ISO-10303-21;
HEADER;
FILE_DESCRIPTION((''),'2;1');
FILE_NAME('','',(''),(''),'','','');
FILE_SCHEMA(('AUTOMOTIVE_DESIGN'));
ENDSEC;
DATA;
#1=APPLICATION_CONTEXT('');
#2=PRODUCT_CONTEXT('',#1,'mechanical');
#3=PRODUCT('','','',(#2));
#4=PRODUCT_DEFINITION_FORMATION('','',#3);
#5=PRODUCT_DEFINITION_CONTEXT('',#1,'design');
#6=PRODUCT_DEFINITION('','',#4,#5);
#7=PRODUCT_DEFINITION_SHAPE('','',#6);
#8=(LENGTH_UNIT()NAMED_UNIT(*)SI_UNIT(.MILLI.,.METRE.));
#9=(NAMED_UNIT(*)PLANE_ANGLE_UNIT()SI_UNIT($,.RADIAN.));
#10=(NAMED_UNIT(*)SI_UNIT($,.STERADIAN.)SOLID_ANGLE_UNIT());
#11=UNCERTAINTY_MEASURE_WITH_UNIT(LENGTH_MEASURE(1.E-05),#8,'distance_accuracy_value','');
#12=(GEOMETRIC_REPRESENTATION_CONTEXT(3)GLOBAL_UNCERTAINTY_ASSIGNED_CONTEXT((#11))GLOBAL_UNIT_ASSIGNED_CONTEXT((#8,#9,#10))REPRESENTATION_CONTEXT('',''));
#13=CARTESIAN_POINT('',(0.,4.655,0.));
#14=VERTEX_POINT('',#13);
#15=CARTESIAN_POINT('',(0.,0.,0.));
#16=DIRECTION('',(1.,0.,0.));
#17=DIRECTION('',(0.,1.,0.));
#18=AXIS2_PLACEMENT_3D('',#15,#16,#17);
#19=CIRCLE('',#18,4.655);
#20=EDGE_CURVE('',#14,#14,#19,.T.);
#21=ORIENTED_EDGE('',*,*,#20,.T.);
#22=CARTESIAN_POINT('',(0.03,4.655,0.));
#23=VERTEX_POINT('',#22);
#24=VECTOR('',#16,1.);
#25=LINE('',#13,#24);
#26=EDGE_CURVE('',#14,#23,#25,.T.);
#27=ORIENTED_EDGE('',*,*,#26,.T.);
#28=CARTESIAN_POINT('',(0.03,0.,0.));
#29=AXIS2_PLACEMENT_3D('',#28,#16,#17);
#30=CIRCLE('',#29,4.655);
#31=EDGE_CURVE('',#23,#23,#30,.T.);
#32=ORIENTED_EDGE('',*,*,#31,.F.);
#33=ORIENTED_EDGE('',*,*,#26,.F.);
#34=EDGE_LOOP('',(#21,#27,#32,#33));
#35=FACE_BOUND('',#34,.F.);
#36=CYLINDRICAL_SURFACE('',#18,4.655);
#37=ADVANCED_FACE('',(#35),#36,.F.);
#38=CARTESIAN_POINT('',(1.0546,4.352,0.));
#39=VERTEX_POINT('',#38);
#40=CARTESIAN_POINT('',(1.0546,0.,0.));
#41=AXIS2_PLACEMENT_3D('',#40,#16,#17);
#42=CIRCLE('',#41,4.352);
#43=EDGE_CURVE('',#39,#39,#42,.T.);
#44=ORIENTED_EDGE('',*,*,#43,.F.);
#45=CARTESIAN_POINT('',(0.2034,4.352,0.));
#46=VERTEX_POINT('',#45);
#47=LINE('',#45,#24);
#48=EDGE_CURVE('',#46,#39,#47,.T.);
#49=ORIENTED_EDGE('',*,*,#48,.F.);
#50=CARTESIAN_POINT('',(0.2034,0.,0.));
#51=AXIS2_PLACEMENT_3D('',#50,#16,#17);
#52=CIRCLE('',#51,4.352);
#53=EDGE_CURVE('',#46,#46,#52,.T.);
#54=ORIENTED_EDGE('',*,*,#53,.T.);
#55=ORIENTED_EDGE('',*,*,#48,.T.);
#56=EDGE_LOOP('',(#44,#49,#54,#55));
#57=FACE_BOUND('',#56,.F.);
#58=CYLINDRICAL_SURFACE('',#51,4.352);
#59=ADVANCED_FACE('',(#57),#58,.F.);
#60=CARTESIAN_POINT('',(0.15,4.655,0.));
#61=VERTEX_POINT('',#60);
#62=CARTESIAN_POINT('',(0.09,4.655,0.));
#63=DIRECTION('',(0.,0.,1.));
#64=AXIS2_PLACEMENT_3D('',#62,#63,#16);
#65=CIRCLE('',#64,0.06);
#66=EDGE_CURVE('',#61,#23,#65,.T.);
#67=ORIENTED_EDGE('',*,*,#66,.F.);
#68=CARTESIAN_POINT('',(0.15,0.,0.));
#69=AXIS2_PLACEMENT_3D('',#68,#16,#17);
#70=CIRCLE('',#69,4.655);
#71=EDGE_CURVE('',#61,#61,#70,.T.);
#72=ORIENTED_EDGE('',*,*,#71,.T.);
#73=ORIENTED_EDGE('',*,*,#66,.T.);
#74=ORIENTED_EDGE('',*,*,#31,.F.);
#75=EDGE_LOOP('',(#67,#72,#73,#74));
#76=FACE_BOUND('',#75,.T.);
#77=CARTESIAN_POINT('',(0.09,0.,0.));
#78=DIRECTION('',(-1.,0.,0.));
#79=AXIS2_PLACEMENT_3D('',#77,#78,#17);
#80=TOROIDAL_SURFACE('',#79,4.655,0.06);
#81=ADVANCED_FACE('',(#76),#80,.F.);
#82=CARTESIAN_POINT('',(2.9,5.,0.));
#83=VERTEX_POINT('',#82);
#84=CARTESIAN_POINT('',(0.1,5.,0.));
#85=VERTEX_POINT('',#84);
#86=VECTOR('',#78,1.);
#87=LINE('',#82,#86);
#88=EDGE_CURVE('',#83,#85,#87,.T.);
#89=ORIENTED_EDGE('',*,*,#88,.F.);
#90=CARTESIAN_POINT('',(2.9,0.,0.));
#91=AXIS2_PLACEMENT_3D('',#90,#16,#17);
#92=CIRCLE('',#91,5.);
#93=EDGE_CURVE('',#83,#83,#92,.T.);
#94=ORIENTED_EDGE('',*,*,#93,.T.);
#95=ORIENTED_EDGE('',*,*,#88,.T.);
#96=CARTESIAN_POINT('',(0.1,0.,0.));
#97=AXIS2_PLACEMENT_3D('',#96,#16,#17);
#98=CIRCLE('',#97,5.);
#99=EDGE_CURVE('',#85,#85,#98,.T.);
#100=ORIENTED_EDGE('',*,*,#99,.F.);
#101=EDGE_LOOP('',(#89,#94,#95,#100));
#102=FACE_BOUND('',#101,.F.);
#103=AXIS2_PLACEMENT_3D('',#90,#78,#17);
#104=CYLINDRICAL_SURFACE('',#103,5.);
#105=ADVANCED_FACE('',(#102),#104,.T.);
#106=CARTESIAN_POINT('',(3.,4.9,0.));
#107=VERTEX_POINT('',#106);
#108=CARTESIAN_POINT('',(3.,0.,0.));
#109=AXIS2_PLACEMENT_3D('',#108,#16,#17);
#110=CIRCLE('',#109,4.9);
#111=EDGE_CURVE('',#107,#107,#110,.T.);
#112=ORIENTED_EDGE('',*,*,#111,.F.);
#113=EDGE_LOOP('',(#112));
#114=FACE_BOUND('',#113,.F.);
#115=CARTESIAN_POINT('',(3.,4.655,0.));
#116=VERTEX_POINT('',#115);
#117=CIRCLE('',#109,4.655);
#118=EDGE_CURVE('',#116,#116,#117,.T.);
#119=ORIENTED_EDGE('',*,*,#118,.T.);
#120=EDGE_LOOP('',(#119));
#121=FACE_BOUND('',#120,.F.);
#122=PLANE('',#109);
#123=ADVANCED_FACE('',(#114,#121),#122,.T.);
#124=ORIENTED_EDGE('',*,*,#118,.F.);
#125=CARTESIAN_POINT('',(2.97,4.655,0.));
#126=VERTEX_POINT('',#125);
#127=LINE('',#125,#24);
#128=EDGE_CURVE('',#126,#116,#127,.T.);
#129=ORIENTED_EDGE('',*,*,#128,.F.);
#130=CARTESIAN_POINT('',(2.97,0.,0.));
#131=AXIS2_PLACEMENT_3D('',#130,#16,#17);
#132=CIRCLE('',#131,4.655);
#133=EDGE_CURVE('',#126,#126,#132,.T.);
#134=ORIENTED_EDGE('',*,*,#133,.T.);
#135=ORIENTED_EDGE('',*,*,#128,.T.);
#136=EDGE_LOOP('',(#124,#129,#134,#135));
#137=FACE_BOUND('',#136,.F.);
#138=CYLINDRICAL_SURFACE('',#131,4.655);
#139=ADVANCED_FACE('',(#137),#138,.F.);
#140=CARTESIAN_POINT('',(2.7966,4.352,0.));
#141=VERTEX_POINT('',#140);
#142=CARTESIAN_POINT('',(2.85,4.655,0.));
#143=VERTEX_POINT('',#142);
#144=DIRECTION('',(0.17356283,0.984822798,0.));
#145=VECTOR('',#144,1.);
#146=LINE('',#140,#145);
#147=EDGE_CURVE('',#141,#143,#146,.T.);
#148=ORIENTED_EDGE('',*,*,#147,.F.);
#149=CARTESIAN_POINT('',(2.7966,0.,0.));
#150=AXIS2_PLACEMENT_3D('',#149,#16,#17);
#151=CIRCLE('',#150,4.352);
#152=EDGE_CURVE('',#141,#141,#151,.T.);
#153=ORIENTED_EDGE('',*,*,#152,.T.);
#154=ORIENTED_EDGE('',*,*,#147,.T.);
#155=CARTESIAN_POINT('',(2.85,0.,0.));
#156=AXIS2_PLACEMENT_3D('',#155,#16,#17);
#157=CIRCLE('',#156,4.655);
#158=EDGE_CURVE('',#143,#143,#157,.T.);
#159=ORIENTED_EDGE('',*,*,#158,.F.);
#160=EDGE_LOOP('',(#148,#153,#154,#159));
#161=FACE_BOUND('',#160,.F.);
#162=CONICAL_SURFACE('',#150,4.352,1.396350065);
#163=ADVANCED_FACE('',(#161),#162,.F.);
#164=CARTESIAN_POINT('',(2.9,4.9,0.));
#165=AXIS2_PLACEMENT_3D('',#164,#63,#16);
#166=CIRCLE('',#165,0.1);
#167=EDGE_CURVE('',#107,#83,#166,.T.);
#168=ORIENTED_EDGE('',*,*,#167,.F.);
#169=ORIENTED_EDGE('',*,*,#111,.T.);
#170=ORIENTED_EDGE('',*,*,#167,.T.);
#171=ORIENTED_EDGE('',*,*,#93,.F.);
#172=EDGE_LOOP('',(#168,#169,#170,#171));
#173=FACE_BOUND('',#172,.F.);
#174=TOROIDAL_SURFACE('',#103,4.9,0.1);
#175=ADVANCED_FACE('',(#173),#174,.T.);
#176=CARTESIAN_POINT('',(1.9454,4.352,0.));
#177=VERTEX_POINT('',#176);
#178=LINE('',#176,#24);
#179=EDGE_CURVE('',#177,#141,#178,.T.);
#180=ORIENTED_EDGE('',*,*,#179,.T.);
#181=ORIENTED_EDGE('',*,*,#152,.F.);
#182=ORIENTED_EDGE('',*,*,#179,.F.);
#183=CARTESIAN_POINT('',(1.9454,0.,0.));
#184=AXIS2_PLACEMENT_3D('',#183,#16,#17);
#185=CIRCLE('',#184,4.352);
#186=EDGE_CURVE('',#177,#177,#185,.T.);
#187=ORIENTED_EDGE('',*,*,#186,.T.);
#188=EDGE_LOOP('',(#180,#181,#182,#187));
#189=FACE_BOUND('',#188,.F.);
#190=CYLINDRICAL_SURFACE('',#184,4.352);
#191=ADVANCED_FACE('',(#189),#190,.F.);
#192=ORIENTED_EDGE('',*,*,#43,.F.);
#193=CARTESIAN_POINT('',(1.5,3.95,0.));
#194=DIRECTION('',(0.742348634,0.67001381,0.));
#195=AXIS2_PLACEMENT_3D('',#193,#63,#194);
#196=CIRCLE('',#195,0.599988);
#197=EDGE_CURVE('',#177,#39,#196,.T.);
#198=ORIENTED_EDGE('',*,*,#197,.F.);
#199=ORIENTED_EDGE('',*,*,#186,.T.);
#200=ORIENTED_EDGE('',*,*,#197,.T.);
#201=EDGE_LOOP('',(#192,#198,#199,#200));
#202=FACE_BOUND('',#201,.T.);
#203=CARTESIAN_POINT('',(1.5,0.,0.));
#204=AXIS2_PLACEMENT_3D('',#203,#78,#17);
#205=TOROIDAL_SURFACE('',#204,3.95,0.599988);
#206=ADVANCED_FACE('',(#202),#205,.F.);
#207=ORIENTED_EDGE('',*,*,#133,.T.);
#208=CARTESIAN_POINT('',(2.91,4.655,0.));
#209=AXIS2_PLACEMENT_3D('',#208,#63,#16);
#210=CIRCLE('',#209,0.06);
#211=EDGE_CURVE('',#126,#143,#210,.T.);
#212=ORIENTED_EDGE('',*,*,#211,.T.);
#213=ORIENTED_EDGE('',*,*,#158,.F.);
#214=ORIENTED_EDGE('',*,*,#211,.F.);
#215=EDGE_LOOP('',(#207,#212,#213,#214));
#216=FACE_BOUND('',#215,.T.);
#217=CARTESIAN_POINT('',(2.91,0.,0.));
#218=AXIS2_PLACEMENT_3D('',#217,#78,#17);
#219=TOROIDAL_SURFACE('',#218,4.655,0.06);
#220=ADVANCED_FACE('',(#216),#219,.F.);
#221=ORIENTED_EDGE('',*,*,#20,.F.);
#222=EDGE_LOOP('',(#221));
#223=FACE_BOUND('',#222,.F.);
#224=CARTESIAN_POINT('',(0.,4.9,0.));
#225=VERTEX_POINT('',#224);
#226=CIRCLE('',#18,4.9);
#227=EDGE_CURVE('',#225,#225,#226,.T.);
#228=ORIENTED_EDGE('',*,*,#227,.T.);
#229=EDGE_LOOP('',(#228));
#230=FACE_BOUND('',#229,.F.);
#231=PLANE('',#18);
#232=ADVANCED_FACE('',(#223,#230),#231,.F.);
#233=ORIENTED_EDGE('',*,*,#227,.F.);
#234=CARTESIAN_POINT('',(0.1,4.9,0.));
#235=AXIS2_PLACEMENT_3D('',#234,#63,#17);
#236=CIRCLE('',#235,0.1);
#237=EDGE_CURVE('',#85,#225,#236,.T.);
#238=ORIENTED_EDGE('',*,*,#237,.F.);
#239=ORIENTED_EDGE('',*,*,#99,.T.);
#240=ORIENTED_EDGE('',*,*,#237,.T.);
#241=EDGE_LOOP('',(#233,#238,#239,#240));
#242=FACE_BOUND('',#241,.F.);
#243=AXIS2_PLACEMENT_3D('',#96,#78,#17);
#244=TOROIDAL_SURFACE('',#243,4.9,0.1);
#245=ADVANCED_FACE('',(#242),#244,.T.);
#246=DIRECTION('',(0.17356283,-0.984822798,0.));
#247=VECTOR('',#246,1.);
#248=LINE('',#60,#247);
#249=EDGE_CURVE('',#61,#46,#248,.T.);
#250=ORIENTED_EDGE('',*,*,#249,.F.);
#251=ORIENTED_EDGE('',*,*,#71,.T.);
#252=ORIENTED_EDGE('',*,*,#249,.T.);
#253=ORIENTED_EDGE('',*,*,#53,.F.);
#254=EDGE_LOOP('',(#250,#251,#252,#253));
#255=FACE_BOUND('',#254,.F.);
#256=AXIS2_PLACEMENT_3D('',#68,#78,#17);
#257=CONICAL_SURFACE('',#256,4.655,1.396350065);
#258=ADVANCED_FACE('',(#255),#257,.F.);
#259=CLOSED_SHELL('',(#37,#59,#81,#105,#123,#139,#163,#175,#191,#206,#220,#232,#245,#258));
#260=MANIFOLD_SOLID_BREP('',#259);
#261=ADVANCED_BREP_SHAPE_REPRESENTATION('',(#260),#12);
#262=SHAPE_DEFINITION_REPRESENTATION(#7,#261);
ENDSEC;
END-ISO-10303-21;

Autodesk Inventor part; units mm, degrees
ref_plane "YZ Plane" through (0, 0, 0) normal (1, 0, 0) x (0, 1, 0)
ref_plane "XZ Plane" through (0, 0, 0) normal (0, 1, 0) x (-1, 0, 0)
ref_plane "XY Plane" through (0, 0, 0) normal (0, 0, 1) x (1, 0, 0)
sketch "Sketch_17" plane through (0, 0, 0) normal (0, 0, 1) x (1, 0, 0)
  line L0 (50, 0) -> (-50, 0)
  line L1 (0, 4.9) -> (0, 4.655)
  line L2 (0, 4.655) -> (0.03, 4.655)
  arc A0 (0.15, 4.655) -> (0.03, 4.655) centre (0.09, 4.655) ccw
  line L3 (0.15, 4.655) -> (0.2034, 4.352)
  line L4 (0.2034, 4.352) -> (1.0546, 4.352)
  arc A1 (1.9454, 4.352) -> (1.0546, 4.352) centre (1.5, 3.95) ccw
  line L5 (1.9454, 4.352) -> (2.7966, 4.352)
  line L6 (2.7966, 4.352) -> (2.85, 4.655)
  arc A2 (2.97, 4.655) -> (2.85, 4.655) centre (2.91, 4.655) ccw
  line L7 (2.97, 4.655) -> (3, 4.655)
  line L8 (3, 4.655) -> (3, 4.9)
  arc A3 (3, 4.9) -> (2.9, 5) centre (2.9, 4.9) ccw
  line L9 (2.9, 5) -> (0.1, 5)
  arc A4 (0.1, 5) -> (0, 4.9) centre (0.1, 4.9) ccw
revolve "Revolution1" add sketch "Sketch_17" angle 360 about axis through (50, 0, 0) along (1, 0, 0)
properties part number "W 627/6-2Z_PART2" material "Stainless Steel"
